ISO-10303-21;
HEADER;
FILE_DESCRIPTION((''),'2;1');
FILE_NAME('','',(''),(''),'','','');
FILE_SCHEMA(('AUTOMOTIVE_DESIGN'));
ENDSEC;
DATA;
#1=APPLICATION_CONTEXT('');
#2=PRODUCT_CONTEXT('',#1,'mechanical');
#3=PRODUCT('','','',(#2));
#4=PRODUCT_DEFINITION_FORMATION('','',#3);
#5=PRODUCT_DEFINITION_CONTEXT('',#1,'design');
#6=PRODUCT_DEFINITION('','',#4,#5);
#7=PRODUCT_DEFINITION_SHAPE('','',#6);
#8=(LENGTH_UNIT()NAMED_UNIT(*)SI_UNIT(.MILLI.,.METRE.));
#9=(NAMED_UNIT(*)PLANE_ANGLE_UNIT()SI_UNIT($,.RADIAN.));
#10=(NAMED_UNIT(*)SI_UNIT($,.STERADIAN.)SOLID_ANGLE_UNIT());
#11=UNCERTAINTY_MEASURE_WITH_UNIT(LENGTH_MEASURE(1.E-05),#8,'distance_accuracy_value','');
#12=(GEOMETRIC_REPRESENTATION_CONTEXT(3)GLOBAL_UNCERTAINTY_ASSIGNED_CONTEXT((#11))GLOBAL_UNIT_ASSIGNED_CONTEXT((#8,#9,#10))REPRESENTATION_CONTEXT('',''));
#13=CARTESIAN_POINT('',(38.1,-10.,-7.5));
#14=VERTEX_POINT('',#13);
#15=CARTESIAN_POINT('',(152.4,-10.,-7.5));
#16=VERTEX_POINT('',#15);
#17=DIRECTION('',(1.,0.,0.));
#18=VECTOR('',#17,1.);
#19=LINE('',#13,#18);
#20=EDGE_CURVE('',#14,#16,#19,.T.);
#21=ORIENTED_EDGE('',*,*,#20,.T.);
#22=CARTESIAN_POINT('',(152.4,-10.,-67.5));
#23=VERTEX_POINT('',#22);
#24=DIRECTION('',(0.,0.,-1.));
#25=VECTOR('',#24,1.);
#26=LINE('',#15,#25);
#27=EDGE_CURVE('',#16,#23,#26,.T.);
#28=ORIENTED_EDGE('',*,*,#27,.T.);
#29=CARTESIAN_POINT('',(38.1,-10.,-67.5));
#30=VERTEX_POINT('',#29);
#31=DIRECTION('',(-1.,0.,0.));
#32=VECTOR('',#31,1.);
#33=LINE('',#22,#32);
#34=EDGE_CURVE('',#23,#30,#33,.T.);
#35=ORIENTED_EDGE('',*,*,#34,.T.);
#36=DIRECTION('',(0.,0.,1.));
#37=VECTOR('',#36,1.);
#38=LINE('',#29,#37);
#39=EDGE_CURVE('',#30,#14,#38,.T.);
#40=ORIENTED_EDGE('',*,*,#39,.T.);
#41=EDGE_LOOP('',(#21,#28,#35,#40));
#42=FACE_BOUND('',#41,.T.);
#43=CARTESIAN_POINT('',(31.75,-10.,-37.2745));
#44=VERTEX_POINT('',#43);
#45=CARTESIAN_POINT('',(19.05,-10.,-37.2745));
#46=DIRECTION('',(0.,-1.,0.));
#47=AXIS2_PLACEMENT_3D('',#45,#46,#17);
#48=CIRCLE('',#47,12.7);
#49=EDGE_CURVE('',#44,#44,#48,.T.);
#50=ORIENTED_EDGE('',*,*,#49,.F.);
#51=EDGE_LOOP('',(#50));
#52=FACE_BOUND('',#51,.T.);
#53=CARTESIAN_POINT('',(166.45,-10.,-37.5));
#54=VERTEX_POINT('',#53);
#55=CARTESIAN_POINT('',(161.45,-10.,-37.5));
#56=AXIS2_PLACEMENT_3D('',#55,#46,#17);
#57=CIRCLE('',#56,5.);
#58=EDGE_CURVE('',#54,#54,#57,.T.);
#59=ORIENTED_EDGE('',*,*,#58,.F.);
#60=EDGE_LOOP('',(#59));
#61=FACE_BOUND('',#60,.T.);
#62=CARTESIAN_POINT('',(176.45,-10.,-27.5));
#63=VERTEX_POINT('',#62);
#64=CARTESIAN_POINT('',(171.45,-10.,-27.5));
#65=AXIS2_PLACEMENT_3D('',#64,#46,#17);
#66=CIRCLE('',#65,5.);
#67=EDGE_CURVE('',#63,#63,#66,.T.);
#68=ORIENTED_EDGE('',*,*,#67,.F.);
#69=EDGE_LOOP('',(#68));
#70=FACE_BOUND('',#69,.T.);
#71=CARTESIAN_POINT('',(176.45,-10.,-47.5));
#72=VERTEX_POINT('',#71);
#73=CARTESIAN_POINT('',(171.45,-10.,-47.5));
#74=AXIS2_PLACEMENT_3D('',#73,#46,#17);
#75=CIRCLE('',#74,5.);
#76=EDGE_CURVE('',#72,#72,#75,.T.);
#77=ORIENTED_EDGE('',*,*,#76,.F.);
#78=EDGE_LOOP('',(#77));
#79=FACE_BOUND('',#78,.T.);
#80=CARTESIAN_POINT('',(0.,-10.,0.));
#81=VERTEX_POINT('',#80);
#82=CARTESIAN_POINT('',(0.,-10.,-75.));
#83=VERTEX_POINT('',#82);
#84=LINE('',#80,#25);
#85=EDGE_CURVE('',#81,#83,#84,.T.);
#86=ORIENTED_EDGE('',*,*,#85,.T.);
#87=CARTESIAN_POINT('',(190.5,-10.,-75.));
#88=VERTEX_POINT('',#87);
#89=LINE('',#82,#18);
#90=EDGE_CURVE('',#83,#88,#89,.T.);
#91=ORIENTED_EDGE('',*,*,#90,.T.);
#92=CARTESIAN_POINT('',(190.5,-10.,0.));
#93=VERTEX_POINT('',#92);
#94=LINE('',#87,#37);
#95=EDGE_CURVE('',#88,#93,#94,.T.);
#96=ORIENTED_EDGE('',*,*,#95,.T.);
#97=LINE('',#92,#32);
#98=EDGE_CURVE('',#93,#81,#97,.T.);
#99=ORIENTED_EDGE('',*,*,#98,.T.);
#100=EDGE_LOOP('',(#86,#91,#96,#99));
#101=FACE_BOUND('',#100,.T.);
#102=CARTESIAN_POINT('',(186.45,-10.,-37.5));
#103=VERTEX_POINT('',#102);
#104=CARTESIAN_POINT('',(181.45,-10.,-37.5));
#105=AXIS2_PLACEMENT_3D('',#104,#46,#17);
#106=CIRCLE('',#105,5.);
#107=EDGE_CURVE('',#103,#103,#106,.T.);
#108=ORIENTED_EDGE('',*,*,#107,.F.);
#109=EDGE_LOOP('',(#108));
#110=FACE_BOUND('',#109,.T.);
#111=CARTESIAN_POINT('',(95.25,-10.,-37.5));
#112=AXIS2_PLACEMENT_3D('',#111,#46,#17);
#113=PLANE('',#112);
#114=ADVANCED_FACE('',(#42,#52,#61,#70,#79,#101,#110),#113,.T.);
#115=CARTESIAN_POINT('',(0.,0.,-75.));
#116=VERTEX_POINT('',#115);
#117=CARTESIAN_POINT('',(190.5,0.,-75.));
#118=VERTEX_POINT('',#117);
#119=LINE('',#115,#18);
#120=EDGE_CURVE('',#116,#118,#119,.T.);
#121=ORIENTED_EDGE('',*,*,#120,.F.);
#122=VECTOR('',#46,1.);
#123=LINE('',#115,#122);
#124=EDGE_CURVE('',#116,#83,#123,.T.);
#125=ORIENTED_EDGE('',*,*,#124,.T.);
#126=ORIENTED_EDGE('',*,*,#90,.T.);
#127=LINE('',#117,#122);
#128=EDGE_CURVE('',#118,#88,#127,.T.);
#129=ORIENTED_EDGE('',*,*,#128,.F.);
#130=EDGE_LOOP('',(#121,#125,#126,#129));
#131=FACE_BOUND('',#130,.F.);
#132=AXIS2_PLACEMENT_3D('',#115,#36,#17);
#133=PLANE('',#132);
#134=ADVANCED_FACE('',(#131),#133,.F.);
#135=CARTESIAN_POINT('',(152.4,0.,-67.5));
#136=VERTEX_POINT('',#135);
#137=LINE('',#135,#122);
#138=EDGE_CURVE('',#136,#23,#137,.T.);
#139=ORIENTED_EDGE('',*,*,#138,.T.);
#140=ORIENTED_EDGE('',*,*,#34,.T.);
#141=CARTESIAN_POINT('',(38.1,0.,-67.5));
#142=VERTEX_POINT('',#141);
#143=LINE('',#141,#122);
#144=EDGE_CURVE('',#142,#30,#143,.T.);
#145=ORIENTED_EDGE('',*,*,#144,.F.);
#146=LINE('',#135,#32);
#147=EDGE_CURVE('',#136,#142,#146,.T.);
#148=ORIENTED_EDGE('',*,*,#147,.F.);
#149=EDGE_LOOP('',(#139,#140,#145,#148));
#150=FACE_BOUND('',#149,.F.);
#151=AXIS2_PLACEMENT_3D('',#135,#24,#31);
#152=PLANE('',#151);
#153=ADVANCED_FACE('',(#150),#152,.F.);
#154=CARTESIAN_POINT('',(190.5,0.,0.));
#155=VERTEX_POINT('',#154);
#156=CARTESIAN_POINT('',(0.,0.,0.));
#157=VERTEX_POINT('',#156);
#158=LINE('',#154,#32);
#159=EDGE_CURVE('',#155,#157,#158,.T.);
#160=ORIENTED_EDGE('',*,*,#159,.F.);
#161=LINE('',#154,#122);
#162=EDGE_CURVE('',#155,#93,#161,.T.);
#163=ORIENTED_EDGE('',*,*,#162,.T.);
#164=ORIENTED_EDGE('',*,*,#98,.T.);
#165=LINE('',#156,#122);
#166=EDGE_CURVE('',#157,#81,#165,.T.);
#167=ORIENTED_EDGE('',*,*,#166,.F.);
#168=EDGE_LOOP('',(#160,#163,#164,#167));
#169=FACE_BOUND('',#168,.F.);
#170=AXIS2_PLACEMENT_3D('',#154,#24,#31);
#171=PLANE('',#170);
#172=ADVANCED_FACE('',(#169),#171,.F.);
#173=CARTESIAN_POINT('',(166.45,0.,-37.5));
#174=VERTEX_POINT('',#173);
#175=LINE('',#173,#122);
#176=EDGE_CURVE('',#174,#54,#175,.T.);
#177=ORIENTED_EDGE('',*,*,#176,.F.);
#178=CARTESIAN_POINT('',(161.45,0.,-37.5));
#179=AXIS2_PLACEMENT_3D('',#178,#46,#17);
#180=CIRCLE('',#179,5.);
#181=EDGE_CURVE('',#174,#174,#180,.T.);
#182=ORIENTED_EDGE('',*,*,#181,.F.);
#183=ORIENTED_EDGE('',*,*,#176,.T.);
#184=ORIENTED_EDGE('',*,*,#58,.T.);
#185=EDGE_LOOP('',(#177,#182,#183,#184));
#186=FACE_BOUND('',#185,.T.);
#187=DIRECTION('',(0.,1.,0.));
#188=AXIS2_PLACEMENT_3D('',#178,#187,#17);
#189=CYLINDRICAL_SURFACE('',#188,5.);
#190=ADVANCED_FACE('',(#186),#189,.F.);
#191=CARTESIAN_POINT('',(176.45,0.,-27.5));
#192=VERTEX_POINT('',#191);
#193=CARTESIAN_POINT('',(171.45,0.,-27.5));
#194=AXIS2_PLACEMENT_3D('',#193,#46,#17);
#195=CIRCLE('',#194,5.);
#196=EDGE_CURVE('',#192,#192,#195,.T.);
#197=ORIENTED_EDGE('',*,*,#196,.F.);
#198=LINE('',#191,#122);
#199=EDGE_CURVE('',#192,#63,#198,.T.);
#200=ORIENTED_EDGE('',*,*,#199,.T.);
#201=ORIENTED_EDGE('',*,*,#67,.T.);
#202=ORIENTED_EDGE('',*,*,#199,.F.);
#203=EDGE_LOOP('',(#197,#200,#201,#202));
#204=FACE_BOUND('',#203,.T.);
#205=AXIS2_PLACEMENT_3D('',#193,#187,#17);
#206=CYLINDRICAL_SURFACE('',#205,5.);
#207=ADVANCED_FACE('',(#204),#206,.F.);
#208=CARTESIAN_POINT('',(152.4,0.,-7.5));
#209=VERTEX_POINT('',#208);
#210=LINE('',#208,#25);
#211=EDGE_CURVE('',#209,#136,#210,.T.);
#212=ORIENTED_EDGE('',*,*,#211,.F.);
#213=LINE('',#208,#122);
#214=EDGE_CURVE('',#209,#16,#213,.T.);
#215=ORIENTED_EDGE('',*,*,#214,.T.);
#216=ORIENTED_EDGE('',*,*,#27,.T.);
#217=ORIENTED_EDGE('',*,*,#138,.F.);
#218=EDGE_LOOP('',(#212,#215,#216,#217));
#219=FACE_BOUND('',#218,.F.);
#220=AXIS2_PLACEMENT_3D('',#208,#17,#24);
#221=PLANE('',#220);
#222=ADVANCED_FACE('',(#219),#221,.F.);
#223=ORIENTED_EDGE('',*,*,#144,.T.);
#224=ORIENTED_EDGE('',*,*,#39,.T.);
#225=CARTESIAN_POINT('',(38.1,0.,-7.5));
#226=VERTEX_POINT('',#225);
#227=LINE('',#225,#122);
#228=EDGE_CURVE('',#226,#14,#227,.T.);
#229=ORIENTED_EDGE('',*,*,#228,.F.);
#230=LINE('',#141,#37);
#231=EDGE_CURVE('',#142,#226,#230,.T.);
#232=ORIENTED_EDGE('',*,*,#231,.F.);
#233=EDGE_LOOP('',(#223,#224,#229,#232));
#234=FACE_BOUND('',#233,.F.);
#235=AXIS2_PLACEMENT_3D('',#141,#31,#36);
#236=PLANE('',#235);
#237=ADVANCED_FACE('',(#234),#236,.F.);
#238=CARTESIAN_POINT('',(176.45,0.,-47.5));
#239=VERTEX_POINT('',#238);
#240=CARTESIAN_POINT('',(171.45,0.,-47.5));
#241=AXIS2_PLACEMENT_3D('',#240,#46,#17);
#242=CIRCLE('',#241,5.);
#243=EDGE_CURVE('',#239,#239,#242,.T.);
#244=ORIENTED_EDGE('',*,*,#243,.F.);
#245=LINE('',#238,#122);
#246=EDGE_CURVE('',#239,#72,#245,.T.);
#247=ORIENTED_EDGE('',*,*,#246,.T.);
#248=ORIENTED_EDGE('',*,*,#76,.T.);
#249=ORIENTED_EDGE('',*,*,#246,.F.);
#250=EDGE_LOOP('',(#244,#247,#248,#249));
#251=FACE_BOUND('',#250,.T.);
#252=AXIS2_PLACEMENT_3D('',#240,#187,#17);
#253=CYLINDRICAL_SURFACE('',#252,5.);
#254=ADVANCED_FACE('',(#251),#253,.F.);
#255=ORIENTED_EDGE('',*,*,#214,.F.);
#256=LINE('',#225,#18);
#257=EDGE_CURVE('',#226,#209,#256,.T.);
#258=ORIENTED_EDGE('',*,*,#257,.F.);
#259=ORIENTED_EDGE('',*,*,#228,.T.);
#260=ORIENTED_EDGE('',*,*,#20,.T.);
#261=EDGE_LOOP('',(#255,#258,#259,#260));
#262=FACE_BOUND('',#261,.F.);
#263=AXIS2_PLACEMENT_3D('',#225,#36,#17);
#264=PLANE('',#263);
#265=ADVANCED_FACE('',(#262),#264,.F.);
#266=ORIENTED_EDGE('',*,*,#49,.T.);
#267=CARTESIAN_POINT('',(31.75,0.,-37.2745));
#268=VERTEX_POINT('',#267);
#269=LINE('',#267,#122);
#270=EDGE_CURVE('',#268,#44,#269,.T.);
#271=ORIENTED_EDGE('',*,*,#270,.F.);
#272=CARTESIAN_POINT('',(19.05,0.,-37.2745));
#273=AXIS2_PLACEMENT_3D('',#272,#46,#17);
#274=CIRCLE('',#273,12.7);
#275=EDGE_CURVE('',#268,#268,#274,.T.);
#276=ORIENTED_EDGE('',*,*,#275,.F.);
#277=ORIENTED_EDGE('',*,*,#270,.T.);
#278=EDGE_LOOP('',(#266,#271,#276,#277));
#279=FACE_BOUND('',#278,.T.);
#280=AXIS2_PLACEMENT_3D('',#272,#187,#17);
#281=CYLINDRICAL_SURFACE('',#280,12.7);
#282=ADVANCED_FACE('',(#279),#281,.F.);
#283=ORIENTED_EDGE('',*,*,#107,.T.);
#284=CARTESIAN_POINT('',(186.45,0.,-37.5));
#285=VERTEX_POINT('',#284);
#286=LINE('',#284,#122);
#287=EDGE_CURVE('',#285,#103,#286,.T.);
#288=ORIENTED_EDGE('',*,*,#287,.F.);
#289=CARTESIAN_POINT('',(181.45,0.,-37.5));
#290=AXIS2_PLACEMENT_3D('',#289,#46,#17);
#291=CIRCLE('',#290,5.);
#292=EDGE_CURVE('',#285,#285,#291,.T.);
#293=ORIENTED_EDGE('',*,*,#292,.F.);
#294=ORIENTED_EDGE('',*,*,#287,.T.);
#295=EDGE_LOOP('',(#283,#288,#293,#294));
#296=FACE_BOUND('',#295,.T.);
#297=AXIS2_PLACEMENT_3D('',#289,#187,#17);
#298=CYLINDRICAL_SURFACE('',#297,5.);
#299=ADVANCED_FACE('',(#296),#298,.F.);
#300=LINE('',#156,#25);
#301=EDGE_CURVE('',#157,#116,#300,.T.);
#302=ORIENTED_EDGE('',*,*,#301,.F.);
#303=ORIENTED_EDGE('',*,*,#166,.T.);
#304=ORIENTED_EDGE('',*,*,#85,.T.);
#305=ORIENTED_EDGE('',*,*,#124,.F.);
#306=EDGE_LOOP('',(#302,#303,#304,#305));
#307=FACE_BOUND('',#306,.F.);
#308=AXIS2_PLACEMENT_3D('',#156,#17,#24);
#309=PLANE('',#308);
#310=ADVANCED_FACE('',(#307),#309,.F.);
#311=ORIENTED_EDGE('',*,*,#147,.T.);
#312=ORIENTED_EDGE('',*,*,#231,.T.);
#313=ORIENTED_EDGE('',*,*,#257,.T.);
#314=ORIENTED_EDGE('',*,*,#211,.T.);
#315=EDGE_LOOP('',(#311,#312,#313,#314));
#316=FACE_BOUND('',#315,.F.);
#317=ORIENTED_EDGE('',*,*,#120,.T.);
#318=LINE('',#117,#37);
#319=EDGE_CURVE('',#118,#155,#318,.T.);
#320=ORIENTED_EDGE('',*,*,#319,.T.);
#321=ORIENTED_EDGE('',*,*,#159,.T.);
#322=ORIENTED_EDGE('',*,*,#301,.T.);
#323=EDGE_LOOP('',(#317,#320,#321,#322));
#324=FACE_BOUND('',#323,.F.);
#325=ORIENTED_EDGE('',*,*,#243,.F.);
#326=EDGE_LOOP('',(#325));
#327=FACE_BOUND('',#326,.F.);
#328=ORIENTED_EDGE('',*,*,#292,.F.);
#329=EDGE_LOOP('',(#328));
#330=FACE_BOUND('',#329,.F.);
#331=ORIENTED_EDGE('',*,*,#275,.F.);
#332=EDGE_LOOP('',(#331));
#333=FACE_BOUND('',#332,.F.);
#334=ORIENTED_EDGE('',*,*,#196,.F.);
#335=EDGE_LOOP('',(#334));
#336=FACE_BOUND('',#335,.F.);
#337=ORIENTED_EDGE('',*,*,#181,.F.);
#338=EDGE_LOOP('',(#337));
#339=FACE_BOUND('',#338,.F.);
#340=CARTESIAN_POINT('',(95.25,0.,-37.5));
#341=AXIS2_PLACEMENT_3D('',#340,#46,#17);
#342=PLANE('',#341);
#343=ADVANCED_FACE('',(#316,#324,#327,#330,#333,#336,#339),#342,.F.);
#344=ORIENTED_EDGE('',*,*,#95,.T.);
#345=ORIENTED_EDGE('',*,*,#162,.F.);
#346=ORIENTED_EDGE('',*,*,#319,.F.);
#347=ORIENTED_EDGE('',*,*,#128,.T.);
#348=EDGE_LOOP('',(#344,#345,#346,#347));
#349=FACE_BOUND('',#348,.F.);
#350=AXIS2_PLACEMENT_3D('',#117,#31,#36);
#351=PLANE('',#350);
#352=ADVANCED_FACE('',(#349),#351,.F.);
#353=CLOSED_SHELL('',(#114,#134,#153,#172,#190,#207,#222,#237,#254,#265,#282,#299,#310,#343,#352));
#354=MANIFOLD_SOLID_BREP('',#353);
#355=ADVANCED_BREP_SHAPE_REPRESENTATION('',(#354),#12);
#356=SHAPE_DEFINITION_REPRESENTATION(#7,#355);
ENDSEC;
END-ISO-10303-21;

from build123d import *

# Parameters (mm, degrees)
F0_R     = 5
F0_R_2   = 12.7
F1_DEPTH = 10


with BuildPart() as f1:
    # F0 (on Front) → F1 (new body)
    with BuildSketch(Plane.XZ):
        Polygon((38.1, 0), (0, 0), (0, -75), (38.1, -75), (152.4, -75), (190.5, -75), (190.5, 0), (152.4, 0), align=None)
        with Locations((171.45, -47.5)):
            Circle(F0_R, mode=Mode.SUBTRACT)
        with Locations((19.05, -37.2745)):
            Circle(F0_R_2, mode=Mode.SUBTRACT)
        Polygon((38.1, -67.5), (38.1, -7.5), (91.578797, -7.5), (152.4, -7.5), (152.4, -67.5), (89.189894, -67.5), align=None, mode=Mode.SUBTRACT)
        with Locations((161.45, -37.5)):
            Circle(F0_R, mode=Mode.SUBTRACT)
        with Locations((181.45, -37.5)):
            Circle(F0_R, mode=Mode.SUBTRACT)
        with Locations((171.45, -27.5)):
            Circle(F0_R, mode=Mode.SUBTRACT)
    extrude(amount=F1_DEPTH)


solid = f1.part
